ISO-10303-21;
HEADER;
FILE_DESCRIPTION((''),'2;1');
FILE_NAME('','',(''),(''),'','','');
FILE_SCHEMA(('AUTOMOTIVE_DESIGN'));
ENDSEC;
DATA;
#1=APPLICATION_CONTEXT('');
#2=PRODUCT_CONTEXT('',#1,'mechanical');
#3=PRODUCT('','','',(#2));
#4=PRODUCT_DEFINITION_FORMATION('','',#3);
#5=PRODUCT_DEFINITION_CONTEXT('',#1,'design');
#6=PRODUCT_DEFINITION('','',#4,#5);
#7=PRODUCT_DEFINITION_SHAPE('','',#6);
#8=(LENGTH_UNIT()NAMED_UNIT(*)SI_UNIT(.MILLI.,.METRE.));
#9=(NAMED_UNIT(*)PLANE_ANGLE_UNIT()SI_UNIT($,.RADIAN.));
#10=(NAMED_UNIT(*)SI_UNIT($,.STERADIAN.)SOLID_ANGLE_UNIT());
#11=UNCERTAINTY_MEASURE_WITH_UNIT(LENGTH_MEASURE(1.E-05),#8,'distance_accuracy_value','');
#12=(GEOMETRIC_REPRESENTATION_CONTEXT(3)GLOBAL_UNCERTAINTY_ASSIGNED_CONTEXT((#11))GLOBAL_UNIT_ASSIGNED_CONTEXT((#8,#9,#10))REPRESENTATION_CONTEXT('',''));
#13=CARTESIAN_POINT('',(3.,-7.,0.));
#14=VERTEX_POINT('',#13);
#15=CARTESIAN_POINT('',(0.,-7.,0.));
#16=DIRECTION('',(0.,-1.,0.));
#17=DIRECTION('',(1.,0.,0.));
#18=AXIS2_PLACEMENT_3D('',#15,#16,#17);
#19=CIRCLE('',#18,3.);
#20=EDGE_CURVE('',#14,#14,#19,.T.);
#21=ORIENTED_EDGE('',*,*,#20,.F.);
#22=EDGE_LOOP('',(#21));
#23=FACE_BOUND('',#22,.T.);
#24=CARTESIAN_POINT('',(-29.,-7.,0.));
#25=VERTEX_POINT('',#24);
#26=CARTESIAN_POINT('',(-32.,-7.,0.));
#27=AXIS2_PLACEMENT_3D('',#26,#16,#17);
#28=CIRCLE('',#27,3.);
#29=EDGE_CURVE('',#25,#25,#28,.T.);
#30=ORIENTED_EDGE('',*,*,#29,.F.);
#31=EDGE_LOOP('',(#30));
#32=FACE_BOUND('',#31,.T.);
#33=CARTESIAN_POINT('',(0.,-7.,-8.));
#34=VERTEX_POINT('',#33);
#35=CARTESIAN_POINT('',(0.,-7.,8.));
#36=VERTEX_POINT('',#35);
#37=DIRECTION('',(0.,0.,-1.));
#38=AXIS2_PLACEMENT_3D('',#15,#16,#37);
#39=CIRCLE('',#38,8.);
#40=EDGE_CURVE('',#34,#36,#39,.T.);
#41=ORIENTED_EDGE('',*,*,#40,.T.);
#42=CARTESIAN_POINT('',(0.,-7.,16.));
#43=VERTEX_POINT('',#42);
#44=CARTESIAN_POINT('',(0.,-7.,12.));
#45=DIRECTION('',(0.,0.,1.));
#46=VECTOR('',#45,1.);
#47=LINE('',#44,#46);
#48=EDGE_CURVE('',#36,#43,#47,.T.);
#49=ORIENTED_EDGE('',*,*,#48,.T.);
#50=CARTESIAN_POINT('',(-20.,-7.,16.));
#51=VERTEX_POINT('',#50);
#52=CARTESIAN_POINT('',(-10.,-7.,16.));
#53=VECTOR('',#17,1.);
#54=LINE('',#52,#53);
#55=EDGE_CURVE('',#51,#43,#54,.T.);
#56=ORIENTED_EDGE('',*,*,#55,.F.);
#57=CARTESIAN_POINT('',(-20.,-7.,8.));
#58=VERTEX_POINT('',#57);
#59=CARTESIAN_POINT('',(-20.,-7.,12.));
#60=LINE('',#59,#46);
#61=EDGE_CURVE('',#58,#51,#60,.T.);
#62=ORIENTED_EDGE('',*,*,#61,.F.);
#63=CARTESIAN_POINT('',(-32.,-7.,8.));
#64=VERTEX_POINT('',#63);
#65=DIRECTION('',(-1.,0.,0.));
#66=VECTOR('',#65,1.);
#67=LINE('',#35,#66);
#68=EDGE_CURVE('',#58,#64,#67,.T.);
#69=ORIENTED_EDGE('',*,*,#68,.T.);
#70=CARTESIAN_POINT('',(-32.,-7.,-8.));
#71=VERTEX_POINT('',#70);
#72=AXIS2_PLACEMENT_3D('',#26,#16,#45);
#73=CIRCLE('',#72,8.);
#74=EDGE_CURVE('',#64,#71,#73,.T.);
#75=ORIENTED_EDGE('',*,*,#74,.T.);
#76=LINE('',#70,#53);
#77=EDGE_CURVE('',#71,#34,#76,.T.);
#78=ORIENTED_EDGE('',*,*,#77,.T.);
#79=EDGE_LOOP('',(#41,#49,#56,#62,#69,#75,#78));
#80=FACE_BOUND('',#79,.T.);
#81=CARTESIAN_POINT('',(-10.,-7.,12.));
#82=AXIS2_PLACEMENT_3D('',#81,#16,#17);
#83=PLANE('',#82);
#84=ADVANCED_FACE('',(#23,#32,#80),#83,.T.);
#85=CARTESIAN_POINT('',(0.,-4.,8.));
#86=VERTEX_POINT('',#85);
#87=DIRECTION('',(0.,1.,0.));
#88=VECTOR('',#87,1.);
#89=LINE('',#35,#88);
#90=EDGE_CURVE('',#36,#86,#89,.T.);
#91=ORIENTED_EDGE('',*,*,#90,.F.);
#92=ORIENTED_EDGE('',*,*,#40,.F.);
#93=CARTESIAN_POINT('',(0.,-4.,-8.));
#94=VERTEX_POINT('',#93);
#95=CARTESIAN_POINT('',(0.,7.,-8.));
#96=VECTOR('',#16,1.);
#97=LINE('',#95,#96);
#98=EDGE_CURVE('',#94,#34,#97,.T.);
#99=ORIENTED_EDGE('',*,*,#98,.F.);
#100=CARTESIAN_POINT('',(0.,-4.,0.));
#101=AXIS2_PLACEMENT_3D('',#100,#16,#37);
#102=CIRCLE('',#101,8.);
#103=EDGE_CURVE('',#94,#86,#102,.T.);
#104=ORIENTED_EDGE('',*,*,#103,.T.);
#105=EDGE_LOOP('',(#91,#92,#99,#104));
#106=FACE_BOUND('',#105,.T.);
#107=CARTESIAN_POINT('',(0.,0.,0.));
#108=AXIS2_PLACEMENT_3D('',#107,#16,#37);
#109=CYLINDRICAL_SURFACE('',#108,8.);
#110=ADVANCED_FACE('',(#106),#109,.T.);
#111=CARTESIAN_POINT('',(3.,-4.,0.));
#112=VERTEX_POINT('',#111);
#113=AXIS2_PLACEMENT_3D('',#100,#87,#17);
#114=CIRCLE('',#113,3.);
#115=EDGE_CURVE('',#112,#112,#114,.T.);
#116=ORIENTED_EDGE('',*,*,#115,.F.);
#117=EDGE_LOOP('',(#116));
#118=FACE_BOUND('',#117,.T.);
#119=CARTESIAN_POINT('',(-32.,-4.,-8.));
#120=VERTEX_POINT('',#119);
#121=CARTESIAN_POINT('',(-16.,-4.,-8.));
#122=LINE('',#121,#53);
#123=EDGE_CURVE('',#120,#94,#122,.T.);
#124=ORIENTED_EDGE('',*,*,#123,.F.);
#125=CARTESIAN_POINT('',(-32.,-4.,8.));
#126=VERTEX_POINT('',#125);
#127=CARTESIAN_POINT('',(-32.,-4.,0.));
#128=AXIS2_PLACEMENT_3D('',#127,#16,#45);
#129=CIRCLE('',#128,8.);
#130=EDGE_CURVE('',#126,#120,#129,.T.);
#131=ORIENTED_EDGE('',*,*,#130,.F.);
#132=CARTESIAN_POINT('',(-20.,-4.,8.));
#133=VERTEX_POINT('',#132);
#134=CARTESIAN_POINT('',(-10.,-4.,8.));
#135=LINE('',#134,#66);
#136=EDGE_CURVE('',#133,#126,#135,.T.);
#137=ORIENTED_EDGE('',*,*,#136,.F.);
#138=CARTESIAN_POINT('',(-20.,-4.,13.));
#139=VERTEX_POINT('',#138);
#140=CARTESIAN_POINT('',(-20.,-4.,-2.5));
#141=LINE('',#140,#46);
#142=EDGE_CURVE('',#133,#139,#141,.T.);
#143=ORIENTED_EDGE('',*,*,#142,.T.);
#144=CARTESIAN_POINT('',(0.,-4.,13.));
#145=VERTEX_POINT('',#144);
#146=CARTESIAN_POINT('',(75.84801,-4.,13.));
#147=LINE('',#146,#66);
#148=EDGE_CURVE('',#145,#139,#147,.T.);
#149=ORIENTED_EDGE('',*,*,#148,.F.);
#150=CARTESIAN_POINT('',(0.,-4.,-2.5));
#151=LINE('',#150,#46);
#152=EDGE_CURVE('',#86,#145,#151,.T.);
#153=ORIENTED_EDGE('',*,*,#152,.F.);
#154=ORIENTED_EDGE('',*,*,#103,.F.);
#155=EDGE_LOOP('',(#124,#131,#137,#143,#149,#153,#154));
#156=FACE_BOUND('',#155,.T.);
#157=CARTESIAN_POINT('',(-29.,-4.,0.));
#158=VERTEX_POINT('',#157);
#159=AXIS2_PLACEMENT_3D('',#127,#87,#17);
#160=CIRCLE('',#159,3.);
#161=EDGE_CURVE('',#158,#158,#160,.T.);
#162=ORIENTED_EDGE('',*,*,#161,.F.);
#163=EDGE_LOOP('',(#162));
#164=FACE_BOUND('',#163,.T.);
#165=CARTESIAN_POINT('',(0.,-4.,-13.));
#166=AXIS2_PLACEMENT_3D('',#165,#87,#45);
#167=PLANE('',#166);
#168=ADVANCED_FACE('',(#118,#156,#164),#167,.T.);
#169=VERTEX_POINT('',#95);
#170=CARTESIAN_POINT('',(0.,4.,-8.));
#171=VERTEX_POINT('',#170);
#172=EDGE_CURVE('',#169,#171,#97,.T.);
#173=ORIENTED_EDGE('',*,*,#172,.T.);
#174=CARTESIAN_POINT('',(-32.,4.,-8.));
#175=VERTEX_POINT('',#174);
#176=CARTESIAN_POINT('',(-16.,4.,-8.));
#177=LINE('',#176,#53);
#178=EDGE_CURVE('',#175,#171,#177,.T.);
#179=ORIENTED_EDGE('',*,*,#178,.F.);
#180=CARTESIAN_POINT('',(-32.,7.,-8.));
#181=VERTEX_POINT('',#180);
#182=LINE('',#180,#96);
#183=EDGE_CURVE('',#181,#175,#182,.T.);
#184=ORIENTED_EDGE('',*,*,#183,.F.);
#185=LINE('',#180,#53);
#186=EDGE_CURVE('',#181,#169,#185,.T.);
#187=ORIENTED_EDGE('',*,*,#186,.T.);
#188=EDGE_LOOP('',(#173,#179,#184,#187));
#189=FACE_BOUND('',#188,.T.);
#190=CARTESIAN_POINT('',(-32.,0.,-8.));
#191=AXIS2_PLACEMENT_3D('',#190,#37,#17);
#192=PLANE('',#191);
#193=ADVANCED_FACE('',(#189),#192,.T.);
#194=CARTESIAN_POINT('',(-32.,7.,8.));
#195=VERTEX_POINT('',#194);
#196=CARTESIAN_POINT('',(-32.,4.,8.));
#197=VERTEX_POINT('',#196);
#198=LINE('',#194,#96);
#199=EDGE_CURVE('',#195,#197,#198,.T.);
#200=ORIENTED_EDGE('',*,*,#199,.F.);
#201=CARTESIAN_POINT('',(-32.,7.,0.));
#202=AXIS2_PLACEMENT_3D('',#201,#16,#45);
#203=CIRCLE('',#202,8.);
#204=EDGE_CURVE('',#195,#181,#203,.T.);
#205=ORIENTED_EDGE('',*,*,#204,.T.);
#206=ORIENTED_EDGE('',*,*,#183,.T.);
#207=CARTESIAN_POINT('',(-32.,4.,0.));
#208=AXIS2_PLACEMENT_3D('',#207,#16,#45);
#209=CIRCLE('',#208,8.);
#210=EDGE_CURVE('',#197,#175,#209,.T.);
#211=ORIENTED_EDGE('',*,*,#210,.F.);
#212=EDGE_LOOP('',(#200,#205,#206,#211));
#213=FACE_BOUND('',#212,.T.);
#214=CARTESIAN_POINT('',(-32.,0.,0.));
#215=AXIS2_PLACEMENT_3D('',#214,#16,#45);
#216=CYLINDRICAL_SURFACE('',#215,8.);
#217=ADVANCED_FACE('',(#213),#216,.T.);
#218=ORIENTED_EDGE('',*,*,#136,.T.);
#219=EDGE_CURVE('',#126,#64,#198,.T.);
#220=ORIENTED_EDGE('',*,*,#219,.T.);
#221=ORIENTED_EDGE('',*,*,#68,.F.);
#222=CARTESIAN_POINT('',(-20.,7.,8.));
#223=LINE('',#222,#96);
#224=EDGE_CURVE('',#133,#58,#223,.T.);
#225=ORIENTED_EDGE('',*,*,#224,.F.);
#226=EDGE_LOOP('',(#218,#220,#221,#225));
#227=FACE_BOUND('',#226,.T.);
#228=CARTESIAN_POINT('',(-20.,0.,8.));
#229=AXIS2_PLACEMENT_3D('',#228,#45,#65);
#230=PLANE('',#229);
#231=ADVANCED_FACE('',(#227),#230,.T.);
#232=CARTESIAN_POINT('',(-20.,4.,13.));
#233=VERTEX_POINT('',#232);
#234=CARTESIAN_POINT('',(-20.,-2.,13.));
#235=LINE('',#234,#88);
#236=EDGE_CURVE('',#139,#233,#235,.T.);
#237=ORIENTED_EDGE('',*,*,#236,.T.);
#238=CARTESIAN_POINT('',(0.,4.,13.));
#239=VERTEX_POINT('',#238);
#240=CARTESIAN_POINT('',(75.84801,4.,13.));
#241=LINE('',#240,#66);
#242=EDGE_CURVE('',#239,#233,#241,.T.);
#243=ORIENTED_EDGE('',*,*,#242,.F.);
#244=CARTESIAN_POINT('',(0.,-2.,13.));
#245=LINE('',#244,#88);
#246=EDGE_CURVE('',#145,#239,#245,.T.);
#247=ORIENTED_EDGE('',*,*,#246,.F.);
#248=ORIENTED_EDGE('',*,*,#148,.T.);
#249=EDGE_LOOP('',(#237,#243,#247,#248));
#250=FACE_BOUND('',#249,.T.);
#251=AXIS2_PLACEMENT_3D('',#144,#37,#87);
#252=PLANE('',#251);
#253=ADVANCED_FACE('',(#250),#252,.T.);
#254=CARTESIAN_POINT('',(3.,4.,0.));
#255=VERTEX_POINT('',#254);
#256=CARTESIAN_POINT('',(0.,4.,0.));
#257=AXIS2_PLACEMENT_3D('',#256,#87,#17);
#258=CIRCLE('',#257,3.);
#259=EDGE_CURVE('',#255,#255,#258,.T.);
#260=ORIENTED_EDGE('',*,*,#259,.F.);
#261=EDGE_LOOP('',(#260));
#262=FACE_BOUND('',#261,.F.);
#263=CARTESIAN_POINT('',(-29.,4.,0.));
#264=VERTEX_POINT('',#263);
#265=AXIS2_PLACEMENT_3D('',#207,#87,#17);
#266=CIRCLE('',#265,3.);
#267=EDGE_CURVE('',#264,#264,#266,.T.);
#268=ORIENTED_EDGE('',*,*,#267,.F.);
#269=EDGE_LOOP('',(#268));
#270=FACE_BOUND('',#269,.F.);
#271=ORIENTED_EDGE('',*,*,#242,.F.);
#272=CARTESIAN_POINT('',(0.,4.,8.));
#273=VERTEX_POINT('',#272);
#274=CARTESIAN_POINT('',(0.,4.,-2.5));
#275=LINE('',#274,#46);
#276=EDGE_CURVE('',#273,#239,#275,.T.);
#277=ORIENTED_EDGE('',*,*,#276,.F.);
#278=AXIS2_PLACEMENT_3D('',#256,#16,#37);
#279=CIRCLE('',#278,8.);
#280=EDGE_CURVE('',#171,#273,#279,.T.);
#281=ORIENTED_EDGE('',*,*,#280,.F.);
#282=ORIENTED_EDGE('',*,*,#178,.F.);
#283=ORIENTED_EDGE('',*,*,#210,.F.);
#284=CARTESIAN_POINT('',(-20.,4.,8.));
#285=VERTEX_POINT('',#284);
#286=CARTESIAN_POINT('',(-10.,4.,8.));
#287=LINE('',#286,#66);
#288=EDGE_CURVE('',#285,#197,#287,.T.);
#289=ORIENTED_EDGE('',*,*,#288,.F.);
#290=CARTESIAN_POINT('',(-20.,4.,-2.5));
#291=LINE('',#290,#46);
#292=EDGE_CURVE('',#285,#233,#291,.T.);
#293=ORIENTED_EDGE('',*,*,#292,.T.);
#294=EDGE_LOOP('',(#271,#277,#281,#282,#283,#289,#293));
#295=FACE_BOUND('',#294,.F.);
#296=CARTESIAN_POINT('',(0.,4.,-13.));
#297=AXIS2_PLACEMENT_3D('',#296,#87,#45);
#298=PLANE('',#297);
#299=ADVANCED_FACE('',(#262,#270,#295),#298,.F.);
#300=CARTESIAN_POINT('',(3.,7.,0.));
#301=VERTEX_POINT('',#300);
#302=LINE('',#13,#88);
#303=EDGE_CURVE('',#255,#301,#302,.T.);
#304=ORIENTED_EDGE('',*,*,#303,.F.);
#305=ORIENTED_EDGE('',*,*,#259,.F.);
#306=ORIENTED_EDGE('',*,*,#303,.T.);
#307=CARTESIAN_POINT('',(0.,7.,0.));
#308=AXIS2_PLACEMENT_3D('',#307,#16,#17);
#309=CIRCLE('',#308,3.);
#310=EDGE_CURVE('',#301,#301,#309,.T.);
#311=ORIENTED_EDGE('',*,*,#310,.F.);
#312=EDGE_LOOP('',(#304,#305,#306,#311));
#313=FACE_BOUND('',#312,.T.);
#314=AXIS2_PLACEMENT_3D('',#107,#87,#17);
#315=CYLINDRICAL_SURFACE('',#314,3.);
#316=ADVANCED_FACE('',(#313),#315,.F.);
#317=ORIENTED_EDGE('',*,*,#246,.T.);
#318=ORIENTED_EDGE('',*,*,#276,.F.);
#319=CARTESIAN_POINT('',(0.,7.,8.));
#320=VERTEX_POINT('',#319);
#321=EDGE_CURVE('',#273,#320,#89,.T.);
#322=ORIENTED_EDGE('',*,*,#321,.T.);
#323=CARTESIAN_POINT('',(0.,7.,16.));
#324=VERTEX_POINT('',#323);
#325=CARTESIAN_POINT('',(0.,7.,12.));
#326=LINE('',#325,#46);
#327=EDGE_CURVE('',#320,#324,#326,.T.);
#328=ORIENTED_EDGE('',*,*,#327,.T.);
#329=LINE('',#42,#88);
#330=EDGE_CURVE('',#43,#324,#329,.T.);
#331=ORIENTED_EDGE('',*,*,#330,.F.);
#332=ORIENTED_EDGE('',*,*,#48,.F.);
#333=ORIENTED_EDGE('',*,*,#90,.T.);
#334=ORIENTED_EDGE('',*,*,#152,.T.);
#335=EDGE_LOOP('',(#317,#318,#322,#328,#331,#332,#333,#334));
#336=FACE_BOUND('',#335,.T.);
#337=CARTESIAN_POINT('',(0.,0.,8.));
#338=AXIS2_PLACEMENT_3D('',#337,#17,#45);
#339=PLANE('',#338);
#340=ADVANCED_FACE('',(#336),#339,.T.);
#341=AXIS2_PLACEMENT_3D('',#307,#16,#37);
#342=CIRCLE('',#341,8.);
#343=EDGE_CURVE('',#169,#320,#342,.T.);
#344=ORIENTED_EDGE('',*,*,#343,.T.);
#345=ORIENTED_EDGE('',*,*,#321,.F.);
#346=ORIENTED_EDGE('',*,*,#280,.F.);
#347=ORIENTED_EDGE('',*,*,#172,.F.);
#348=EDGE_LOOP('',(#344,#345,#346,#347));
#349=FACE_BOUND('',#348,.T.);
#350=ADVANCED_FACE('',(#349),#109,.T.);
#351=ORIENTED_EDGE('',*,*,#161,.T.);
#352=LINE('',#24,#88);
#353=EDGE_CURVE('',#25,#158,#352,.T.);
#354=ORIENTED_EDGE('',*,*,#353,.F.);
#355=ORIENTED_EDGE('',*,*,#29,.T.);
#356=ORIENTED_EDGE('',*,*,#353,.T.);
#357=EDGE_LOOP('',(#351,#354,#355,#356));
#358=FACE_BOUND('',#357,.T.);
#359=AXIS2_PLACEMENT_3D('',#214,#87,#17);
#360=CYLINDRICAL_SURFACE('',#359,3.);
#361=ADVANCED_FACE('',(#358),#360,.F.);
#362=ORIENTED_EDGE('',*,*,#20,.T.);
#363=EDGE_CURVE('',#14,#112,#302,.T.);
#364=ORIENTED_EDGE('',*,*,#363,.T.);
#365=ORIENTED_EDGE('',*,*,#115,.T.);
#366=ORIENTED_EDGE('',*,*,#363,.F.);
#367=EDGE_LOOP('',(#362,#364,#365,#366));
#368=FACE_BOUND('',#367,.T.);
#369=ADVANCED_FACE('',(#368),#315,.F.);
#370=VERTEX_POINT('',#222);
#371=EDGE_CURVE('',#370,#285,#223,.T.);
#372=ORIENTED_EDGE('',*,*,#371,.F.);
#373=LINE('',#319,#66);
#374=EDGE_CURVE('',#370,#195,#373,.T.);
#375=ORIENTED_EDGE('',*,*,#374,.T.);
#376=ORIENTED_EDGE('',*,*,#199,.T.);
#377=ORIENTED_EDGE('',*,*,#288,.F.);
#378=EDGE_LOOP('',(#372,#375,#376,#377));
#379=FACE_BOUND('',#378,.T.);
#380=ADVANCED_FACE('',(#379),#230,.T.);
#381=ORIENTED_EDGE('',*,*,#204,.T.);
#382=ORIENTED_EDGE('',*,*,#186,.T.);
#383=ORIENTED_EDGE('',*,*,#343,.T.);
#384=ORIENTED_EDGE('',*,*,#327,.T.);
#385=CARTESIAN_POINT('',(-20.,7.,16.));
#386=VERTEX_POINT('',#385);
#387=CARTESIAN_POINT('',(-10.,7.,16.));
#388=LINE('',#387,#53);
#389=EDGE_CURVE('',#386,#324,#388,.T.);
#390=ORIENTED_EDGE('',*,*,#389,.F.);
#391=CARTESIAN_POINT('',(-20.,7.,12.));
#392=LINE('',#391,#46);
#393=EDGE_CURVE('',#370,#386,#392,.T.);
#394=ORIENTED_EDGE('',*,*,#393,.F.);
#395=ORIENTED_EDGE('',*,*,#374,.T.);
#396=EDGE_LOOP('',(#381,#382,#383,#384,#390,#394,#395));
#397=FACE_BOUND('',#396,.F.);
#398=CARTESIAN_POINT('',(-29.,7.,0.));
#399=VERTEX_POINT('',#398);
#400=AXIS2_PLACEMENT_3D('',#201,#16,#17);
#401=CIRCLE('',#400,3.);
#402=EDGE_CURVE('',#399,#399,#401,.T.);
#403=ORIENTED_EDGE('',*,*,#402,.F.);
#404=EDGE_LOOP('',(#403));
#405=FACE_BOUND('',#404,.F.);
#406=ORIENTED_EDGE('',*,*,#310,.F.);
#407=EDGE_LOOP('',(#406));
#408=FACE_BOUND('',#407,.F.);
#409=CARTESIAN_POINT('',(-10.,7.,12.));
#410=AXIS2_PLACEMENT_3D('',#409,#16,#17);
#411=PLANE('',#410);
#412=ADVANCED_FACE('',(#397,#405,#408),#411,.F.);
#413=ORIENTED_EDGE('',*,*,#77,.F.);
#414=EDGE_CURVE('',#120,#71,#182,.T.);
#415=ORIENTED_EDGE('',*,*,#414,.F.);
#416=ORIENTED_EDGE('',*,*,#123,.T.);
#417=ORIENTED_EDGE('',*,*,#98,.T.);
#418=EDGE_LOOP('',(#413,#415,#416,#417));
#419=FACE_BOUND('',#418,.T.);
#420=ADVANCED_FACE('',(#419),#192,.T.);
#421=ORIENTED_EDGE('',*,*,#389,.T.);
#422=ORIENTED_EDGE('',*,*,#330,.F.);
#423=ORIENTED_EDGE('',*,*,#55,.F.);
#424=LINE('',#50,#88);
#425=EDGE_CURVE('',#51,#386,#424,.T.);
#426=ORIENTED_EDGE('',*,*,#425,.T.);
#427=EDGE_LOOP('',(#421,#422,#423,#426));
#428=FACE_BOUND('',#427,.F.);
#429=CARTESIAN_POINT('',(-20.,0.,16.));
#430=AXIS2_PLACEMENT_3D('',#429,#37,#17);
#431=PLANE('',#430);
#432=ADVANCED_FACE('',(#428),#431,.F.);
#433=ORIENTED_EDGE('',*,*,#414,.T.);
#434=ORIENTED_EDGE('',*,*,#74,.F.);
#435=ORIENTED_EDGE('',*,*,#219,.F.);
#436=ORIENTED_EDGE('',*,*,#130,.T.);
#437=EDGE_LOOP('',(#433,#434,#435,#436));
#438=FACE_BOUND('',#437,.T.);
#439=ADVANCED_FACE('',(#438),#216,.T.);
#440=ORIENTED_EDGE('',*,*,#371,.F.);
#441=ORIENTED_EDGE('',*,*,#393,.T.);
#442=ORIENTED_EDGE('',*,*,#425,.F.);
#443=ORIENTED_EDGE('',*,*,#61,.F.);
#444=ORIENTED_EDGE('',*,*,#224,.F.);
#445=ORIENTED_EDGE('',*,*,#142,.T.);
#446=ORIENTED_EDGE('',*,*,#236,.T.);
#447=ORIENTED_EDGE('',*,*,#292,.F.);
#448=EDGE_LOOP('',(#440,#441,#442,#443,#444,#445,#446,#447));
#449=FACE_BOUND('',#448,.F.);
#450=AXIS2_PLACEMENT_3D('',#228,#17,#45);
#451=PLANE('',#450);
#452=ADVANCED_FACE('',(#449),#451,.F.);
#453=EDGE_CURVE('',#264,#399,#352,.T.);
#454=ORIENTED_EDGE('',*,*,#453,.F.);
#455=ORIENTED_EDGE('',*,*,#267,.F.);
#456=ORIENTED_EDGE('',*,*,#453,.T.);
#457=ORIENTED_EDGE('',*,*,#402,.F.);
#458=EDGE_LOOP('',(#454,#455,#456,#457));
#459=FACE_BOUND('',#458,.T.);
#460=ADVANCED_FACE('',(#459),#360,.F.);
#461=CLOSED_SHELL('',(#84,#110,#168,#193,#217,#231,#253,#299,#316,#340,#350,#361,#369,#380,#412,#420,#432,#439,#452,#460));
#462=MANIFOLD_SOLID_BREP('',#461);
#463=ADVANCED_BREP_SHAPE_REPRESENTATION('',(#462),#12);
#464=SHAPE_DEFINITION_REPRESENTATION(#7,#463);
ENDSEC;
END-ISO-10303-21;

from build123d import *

# Parameters (mm, degrees)
F0_W     = 20
F0_H     = 8
F0_R     = 3
F1_DEPTH = 7
F2_W     = 8
F2_H     = 26
F3_DEPTH = 75.84801


with BuildPart() as f1:
    # F0 (on Front) → F1 (new body, symmetric)
    with BuildSketch(Plane.XZ):
        with Locations((-10, 12)):
            Rectangle(F0_W, F0_H)
        with BuildLine():
            ThreePointArc((-32, 8), (-40, 0), (-32, -8))
            Line((-32, -8), (0, -8))
            ThreePointArc((0, -8), (8, 0), (0, 8))
            Line((0, 8), (-20, 8))
            Line((-20, 8), (-32, 8))
        make_face()
        with Locations((-32, 0)):
            Circle(F0_R, mode=Mode.SUBTRACT)
        Circle(F0_R, mode=Mode.SUBTRACT)
    extrude(amount=F1_DEPTH, both=True)

    # F2 (on Right) → F3 (cut, symmetric)
    with BuildSketch(Plane.YZ):
        Rectangle(F2_W, F2_H)
    extrude(amount=F3_DEPTH, both=True, mode=Mode.SUBTRACT)


solid = f1.part
